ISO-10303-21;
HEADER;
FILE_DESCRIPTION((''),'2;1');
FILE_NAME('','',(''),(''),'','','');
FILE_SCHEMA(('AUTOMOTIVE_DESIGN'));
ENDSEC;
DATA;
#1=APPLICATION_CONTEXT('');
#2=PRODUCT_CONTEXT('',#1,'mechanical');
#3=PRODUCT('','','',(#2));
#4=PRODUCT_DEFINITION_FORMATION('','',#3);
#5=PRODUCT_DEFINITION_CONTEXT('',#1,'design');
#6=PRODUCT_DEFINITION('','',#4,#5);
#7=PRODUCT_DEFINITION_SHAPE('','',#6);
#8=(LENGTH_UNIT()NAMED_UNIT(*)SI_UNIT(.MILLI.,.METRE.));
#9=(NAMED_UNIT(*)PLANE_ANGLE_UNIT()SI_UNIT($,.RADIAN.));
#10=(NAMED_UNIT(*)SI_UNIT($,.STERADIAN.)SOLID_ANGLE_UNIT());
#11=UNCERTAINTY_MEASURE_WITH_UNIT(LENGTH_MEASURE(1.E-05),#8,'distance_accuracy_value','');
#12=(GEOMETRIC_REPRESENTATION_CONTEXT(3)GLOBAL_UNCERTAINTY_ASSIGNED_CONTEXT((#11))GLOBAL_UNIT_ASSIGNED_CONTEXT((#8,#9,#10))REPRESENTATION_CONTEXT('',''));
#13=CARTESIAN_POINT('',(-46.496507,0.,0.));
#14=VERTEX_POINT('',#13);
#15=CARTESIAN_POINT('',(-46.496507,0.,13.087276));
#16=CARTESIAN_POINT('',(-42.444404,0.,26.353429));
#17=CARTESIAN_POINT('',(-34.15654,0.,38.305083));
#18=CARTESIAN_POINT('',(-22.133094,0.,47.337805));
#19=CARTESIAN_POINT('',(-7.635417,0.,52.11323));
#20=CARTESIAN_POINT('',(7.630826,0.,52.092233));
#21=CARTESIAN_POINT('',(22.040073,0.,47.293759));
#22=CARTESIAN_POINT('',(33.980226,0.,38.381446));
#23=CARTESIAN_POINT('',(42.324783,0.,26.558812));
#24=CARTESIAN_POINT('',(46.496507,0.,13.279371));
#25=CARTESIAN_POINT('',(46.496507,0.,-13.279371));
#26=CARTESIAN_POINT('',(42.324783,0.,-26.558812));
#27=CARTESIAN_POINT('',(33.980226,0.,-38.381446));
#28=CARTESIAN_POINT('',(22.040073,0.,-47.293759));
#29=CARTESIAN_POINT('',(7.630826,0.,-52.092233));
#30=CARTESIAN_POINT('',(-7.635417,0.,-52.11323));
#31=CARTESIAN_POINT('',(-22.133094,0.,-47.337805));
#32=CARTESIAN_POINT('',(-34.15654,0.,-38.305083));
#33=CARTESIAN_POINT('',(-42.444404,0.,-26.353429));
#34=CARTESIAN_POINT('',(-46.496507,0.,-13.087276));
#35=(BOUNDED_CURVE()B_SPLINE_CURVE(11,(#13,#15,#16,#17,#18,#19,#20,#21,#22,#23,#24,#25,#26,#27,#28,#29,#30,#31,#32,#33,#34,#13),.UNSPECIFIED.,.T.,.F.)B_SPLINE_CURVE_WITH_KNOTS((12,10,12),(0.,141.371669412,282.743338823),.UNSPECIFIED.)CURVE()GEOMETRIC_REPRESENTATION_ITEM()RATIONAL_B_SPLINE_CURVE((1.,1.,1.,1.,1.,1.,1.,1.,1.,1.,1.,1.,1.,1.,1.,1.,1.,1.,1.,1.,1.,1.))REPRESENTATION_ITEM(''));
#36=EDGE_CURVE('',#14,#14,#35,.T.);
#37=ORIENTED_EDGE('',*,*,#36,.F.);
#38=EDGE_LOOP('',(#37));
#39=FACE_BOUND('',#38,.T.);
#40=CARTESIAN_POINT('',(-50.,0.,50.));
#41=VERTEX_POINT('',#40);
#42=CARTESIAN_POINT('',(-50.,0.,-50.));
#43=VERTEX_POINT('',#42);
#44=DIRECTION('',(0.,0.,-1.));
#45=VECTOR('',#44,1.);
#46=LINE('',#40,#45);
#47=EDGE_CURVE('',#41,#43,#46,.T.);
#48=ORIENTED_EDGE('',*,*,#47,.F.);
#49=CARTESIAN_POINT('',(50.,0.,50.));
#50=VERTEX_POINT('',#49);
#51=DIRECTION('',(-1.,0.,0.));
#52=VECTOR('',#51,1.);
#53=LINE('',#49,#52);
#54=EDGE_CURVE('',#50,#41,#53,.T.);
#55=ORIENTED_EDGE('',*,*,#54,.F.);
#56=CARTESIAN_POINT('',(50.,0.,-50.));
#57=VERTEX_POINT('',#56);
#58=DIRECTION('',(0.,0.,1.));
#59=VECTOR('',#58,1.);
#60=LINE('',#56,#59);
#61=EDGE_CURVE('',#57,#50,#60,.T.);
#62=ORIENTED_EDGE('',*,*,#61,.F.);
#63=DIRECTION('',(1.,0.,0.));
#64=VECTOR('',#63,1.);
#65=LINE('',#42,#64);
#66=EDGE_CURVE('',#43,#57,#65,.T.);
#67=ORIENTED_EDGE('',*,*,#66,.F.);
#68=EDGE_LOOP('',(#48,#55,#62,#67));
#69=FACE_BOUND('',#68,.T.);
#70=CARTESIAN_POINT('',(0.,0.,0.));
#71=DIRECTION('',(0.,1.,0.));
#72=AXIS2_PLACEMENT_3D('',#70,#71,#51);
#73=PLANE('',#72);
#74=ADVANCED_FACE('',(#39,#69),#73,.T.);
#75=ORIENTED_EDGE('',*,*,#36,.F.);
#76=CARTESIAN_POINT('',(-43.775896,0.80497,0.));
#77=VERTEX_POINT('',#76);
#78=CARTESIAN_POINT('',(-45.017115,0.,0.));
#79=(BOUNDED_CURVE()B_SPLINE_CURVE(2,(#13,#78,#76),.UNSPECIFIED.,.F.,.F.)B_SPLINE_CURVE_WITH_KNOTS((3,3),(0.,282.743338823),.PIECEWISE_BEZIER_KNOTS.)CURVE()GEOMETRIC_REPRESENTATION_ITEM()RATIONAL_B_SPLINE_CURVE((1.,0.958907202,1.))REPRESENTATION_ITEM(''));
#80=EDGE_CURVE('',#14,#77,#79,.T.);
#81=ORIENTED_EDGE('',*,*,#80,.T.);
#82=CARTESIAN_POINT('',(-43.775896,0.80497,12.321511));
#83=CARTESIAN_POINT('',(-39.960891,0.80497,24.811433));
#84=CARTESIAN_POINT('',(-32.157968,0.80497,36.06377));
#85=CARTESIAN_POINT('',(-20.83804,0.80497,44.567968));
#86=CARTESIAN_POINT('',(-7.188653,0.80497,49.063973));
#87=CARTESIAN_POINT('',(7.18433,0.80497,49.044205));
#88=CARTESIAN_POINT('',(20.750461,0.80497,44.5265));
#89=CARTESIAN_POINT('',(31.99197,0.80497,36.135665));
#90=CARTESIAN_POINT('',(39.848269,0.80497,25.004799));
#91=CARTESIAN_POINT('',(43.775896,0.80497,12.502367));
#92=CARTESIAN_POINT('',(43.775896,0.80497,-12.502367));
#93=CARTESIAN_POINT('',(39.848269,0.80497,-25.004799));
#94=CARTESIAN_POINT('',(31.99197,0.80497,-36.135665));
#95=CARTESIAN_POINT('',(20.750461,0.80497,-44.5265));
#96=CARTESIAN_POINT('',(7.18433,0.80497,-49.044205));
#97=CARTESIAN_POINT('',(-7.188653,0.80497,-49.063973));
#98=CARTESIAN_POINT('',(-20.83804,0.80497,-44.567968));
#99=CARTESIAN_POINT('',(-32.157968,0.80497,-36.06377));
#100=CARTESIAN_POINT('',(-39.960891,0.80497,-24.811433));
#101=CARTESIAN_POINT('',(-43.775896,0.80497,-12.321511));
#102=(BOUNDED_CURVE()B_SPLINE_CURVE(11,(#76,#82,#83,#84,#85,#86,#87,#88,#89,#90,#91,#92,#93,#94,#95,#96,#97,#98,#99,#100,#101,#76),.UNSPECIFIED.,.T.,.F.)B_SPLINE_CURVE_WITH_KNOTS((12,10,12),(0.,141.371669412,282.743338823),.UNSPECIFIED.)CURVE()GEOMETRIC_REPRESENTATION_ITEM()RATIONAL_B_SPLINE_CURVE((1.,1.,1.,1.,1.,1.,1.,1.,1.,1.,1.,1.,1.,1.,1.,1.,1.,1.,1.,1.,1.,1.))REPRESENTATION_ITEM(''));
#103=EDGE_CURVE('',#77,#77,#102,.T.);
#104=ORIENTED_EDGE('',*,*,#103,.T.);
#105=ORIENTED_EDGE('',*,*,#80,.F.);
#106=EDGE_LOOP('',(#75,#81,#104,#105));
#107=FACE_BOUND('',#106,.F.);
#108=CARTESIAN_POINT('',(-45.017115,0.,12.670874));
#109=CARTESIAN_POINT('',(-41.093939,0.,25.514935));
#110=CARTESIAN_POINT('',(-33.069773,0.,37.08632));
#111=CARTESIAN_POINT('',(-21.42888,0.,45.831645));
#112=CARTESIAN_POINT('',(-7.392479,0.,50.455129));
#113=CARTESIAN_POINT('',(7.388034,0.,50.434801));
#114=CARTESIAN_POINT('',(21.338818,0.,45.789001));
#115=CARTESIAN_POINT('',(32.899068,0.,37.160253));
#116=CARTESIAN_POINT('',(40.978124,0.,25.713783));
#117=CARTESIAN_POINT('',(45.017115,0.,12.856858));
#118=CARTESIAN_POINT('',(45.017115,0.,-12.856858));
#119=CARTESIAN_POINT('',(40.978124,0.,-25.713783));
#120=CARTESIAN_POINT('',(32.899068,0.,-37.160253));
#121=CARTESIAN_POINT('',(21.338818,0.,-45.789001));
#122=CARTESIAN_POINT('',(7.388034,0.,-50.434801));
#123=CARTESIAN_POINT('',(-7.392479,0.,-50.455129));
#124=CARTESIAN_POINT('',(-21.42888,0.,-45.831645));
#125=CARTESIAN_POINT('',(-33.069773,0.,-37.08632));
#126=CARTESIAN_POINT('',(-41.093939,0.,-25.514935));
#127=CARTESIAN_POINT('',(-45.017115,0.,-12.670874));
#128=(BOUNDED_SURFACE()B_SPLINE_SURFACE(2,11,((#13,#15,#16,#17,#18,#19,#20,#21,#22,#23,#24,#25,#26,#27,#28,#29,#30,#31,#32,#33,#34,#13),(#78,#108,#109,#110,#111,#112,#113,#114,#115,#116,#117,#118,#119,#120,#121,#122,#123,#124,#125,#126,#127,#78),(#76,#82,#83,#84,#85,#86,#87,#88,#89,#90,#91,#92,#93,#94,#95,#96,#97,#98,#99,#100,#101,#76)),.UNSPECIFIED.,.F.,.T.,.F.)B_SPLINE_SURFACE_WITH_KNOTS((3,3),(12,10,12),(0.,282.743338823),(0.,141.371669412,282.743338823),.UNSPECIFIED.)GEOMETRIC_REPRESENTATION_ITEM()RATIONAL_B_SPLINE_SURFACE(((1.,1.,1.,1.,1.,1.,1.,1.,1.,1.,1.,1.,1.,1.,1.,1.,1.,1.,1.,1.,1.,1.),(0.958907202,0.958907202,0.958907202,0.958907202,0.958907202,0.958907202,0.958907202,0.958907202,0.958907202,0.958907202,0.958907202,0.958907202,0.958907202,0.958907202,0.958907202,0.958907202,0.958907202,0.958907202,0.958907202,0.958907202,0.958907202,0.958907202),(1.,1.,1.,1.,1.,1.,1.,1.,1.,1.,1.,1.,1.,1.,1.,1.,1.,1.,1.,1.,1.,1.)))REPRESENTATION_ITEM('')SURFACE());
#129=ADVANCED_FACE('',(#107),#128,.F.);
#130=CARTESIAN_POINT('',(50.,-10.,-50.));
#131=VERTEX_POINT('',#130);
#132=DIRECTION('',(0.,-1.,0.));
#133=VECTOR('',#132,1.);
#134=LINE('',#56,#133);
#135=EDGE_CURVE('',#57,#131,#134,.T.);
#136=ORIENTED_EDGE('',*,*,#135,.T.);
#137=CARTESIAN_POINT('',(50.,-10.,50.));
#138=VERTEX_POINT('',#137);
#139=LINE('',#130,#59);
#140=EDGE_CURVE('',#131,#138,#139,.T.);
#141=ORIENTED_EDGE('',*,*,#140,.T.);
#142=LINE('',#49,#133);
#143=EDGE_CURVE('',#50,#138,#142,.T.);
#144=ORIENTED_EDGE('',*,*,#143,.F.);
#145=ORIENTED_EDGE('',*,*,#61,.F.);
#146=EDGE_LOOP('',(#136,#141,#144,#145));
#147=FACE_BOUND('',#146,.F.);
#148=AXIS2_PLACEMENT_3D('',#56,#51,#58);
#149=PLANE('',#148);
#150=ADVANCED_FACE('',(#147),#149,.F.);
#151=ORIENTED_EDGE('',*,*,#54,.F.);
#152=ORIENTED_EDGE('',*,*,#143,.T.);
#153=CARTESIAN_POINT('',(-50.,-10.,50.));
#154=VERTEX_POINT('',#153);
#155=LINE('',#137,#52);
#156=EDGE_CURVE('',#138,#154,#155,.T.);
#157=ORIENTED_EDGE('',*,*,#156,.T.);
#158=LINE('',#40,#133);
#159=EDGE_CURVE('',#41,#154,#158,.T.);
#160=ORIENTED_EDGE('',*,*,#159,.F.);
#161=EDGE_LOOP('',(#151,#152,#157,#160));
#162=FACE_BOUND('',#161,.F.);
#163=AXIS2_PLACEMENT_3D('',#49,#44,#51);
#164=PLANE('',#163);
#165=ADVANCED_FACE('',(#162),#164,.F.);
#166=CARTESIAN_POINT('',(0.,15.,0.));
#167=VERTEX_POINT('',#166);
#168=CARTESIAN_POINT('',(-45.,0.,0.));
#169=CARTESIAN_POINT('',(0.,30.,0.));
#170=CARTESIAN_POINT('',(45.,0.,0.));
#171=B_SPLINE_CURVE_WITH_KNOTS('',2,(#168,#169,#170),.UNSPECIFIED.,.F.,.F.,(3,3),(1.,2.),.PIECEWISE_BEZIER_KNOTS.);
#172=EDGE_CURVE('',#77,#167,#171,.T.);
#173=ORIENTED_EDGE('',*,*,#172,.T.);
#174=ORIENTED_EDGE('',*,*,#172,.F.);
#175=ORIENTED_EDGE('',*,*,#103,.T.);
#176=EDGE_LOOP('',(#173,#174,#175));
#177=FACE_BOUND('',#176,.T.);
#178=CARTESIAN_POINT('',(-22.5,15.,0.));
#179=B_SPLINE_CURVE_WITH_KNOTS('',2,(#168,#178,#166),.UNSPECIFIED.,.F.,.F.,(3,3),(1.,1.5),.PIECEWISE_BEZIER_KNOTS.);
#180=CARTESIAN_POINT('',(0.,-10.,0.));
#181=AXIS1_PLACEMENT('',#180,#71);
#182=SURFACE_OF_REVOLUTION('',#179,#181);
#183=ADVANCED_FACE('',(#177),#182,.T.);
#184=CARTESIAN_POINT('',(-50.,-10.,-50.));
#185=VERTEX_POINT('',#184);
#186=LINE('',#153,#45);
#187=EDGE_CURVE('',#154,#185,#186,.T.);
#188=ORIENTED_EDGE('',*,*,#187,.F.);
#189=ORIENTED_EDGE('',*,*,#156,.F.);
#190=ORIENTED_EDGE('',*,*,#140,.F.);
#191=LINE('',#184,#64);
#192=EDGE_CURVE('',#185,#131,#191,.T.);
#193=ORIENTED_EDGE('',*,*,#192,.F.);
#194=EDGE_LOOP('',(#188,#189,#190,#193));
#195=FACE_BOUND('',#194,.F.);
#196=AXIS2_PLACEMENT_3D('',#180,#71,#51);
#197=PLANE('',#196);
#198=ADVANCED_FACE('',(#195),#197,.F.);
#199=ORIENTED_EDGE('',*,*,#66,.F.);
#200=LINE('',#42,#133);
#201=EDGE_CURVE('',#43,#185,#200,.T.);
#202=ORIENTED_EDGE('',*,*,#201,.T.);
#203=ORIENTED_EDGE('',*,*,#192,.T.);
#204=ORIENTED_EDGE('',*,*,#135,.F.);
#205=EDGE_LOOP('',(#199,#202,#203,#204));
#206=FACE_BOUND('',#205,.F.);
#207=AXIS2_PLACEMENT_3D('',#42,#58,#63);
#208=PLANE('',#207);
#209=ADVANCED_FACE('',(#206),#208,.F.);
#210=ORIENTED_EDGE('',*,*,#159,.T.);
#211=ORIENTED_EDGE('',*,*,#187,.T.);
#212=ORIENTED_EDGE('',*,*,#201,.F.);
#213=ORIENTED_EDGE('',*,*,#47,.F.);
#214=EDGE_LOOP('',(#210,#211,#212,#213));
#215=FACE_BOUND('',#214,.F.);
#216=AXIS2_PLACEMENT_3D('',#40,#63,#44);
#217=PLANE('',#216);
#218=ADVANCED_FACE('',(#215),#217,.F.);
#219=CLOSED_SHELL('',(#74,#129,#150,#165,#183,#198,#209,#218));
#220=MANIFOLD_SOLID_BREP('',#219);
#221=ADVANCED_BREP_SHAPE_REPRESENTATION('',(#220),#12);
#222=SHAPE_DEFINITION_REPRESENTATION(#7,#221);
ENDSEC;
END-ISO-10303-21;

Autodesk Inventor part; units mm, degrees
ref_plane "YZ Plane" through (0, 0, 0) normal (1, 0, 0) x (0, 1, 0)
ref_plane "XZ Plane" through (0, 0, 0) normal (0, 1, 0) x (-1, 0, 0)
ref_plane "XY Plane" through (0, 0, 0) normal (0, 0, 1) x (1, 0, 0)
sketch "Sketch1" plane through (0, 0, 0) normal (0, 1, 0) x (-1, 0, 0)
  line L0 (-50, 50) -> (50, 50)
  line L1 (50, 50) -> (50, -50)
  line L2 (50, -50) -> (-50, -50)
  line L3 (-50, -50) -> (-50, 50)
  line L4 (-50, 50) -> (50, -50) construction
  line L5 (50, 50) -> (-50, -50) construction
  point P0 (0, 0)
  dimension "d0" = 100
sketch "Sketch2" plane through (0, 0, 0) normal (0, 0, 1) x (1, 0, 0)
  line L0 (0, -6.18) -> (0, 36.03) projected
  line L1 (50, 0) -> (-50, 0) projected
  line L2 (-45, 0) -> (0, 30) construction
  line L3 (0, 30) -> (45, 0) construction
  spline S0 degree 2 poles (-45, 0) (0, 30) (45, 0) knots 1 1 1 2 2 2
  point P0 (0, 0)
  point P1 (0, 0)
  point P2 (0, 15)
  dimension "d1" = 30
  dimension "d2" = 5
extrude "Extrusion1" add sketch "Sketch1" against normal blind 10
revolve "Revolution2" add sketch "Sketch2" angle 360 about axis through (0, -10, 0) along (0, 1, 0) picked at (-26.1787, 2.223) contours L1 S0 L0
fillet "Fillet1" radius 5 1 edges at (45, 0, 0)
properties part number "Surface1"
